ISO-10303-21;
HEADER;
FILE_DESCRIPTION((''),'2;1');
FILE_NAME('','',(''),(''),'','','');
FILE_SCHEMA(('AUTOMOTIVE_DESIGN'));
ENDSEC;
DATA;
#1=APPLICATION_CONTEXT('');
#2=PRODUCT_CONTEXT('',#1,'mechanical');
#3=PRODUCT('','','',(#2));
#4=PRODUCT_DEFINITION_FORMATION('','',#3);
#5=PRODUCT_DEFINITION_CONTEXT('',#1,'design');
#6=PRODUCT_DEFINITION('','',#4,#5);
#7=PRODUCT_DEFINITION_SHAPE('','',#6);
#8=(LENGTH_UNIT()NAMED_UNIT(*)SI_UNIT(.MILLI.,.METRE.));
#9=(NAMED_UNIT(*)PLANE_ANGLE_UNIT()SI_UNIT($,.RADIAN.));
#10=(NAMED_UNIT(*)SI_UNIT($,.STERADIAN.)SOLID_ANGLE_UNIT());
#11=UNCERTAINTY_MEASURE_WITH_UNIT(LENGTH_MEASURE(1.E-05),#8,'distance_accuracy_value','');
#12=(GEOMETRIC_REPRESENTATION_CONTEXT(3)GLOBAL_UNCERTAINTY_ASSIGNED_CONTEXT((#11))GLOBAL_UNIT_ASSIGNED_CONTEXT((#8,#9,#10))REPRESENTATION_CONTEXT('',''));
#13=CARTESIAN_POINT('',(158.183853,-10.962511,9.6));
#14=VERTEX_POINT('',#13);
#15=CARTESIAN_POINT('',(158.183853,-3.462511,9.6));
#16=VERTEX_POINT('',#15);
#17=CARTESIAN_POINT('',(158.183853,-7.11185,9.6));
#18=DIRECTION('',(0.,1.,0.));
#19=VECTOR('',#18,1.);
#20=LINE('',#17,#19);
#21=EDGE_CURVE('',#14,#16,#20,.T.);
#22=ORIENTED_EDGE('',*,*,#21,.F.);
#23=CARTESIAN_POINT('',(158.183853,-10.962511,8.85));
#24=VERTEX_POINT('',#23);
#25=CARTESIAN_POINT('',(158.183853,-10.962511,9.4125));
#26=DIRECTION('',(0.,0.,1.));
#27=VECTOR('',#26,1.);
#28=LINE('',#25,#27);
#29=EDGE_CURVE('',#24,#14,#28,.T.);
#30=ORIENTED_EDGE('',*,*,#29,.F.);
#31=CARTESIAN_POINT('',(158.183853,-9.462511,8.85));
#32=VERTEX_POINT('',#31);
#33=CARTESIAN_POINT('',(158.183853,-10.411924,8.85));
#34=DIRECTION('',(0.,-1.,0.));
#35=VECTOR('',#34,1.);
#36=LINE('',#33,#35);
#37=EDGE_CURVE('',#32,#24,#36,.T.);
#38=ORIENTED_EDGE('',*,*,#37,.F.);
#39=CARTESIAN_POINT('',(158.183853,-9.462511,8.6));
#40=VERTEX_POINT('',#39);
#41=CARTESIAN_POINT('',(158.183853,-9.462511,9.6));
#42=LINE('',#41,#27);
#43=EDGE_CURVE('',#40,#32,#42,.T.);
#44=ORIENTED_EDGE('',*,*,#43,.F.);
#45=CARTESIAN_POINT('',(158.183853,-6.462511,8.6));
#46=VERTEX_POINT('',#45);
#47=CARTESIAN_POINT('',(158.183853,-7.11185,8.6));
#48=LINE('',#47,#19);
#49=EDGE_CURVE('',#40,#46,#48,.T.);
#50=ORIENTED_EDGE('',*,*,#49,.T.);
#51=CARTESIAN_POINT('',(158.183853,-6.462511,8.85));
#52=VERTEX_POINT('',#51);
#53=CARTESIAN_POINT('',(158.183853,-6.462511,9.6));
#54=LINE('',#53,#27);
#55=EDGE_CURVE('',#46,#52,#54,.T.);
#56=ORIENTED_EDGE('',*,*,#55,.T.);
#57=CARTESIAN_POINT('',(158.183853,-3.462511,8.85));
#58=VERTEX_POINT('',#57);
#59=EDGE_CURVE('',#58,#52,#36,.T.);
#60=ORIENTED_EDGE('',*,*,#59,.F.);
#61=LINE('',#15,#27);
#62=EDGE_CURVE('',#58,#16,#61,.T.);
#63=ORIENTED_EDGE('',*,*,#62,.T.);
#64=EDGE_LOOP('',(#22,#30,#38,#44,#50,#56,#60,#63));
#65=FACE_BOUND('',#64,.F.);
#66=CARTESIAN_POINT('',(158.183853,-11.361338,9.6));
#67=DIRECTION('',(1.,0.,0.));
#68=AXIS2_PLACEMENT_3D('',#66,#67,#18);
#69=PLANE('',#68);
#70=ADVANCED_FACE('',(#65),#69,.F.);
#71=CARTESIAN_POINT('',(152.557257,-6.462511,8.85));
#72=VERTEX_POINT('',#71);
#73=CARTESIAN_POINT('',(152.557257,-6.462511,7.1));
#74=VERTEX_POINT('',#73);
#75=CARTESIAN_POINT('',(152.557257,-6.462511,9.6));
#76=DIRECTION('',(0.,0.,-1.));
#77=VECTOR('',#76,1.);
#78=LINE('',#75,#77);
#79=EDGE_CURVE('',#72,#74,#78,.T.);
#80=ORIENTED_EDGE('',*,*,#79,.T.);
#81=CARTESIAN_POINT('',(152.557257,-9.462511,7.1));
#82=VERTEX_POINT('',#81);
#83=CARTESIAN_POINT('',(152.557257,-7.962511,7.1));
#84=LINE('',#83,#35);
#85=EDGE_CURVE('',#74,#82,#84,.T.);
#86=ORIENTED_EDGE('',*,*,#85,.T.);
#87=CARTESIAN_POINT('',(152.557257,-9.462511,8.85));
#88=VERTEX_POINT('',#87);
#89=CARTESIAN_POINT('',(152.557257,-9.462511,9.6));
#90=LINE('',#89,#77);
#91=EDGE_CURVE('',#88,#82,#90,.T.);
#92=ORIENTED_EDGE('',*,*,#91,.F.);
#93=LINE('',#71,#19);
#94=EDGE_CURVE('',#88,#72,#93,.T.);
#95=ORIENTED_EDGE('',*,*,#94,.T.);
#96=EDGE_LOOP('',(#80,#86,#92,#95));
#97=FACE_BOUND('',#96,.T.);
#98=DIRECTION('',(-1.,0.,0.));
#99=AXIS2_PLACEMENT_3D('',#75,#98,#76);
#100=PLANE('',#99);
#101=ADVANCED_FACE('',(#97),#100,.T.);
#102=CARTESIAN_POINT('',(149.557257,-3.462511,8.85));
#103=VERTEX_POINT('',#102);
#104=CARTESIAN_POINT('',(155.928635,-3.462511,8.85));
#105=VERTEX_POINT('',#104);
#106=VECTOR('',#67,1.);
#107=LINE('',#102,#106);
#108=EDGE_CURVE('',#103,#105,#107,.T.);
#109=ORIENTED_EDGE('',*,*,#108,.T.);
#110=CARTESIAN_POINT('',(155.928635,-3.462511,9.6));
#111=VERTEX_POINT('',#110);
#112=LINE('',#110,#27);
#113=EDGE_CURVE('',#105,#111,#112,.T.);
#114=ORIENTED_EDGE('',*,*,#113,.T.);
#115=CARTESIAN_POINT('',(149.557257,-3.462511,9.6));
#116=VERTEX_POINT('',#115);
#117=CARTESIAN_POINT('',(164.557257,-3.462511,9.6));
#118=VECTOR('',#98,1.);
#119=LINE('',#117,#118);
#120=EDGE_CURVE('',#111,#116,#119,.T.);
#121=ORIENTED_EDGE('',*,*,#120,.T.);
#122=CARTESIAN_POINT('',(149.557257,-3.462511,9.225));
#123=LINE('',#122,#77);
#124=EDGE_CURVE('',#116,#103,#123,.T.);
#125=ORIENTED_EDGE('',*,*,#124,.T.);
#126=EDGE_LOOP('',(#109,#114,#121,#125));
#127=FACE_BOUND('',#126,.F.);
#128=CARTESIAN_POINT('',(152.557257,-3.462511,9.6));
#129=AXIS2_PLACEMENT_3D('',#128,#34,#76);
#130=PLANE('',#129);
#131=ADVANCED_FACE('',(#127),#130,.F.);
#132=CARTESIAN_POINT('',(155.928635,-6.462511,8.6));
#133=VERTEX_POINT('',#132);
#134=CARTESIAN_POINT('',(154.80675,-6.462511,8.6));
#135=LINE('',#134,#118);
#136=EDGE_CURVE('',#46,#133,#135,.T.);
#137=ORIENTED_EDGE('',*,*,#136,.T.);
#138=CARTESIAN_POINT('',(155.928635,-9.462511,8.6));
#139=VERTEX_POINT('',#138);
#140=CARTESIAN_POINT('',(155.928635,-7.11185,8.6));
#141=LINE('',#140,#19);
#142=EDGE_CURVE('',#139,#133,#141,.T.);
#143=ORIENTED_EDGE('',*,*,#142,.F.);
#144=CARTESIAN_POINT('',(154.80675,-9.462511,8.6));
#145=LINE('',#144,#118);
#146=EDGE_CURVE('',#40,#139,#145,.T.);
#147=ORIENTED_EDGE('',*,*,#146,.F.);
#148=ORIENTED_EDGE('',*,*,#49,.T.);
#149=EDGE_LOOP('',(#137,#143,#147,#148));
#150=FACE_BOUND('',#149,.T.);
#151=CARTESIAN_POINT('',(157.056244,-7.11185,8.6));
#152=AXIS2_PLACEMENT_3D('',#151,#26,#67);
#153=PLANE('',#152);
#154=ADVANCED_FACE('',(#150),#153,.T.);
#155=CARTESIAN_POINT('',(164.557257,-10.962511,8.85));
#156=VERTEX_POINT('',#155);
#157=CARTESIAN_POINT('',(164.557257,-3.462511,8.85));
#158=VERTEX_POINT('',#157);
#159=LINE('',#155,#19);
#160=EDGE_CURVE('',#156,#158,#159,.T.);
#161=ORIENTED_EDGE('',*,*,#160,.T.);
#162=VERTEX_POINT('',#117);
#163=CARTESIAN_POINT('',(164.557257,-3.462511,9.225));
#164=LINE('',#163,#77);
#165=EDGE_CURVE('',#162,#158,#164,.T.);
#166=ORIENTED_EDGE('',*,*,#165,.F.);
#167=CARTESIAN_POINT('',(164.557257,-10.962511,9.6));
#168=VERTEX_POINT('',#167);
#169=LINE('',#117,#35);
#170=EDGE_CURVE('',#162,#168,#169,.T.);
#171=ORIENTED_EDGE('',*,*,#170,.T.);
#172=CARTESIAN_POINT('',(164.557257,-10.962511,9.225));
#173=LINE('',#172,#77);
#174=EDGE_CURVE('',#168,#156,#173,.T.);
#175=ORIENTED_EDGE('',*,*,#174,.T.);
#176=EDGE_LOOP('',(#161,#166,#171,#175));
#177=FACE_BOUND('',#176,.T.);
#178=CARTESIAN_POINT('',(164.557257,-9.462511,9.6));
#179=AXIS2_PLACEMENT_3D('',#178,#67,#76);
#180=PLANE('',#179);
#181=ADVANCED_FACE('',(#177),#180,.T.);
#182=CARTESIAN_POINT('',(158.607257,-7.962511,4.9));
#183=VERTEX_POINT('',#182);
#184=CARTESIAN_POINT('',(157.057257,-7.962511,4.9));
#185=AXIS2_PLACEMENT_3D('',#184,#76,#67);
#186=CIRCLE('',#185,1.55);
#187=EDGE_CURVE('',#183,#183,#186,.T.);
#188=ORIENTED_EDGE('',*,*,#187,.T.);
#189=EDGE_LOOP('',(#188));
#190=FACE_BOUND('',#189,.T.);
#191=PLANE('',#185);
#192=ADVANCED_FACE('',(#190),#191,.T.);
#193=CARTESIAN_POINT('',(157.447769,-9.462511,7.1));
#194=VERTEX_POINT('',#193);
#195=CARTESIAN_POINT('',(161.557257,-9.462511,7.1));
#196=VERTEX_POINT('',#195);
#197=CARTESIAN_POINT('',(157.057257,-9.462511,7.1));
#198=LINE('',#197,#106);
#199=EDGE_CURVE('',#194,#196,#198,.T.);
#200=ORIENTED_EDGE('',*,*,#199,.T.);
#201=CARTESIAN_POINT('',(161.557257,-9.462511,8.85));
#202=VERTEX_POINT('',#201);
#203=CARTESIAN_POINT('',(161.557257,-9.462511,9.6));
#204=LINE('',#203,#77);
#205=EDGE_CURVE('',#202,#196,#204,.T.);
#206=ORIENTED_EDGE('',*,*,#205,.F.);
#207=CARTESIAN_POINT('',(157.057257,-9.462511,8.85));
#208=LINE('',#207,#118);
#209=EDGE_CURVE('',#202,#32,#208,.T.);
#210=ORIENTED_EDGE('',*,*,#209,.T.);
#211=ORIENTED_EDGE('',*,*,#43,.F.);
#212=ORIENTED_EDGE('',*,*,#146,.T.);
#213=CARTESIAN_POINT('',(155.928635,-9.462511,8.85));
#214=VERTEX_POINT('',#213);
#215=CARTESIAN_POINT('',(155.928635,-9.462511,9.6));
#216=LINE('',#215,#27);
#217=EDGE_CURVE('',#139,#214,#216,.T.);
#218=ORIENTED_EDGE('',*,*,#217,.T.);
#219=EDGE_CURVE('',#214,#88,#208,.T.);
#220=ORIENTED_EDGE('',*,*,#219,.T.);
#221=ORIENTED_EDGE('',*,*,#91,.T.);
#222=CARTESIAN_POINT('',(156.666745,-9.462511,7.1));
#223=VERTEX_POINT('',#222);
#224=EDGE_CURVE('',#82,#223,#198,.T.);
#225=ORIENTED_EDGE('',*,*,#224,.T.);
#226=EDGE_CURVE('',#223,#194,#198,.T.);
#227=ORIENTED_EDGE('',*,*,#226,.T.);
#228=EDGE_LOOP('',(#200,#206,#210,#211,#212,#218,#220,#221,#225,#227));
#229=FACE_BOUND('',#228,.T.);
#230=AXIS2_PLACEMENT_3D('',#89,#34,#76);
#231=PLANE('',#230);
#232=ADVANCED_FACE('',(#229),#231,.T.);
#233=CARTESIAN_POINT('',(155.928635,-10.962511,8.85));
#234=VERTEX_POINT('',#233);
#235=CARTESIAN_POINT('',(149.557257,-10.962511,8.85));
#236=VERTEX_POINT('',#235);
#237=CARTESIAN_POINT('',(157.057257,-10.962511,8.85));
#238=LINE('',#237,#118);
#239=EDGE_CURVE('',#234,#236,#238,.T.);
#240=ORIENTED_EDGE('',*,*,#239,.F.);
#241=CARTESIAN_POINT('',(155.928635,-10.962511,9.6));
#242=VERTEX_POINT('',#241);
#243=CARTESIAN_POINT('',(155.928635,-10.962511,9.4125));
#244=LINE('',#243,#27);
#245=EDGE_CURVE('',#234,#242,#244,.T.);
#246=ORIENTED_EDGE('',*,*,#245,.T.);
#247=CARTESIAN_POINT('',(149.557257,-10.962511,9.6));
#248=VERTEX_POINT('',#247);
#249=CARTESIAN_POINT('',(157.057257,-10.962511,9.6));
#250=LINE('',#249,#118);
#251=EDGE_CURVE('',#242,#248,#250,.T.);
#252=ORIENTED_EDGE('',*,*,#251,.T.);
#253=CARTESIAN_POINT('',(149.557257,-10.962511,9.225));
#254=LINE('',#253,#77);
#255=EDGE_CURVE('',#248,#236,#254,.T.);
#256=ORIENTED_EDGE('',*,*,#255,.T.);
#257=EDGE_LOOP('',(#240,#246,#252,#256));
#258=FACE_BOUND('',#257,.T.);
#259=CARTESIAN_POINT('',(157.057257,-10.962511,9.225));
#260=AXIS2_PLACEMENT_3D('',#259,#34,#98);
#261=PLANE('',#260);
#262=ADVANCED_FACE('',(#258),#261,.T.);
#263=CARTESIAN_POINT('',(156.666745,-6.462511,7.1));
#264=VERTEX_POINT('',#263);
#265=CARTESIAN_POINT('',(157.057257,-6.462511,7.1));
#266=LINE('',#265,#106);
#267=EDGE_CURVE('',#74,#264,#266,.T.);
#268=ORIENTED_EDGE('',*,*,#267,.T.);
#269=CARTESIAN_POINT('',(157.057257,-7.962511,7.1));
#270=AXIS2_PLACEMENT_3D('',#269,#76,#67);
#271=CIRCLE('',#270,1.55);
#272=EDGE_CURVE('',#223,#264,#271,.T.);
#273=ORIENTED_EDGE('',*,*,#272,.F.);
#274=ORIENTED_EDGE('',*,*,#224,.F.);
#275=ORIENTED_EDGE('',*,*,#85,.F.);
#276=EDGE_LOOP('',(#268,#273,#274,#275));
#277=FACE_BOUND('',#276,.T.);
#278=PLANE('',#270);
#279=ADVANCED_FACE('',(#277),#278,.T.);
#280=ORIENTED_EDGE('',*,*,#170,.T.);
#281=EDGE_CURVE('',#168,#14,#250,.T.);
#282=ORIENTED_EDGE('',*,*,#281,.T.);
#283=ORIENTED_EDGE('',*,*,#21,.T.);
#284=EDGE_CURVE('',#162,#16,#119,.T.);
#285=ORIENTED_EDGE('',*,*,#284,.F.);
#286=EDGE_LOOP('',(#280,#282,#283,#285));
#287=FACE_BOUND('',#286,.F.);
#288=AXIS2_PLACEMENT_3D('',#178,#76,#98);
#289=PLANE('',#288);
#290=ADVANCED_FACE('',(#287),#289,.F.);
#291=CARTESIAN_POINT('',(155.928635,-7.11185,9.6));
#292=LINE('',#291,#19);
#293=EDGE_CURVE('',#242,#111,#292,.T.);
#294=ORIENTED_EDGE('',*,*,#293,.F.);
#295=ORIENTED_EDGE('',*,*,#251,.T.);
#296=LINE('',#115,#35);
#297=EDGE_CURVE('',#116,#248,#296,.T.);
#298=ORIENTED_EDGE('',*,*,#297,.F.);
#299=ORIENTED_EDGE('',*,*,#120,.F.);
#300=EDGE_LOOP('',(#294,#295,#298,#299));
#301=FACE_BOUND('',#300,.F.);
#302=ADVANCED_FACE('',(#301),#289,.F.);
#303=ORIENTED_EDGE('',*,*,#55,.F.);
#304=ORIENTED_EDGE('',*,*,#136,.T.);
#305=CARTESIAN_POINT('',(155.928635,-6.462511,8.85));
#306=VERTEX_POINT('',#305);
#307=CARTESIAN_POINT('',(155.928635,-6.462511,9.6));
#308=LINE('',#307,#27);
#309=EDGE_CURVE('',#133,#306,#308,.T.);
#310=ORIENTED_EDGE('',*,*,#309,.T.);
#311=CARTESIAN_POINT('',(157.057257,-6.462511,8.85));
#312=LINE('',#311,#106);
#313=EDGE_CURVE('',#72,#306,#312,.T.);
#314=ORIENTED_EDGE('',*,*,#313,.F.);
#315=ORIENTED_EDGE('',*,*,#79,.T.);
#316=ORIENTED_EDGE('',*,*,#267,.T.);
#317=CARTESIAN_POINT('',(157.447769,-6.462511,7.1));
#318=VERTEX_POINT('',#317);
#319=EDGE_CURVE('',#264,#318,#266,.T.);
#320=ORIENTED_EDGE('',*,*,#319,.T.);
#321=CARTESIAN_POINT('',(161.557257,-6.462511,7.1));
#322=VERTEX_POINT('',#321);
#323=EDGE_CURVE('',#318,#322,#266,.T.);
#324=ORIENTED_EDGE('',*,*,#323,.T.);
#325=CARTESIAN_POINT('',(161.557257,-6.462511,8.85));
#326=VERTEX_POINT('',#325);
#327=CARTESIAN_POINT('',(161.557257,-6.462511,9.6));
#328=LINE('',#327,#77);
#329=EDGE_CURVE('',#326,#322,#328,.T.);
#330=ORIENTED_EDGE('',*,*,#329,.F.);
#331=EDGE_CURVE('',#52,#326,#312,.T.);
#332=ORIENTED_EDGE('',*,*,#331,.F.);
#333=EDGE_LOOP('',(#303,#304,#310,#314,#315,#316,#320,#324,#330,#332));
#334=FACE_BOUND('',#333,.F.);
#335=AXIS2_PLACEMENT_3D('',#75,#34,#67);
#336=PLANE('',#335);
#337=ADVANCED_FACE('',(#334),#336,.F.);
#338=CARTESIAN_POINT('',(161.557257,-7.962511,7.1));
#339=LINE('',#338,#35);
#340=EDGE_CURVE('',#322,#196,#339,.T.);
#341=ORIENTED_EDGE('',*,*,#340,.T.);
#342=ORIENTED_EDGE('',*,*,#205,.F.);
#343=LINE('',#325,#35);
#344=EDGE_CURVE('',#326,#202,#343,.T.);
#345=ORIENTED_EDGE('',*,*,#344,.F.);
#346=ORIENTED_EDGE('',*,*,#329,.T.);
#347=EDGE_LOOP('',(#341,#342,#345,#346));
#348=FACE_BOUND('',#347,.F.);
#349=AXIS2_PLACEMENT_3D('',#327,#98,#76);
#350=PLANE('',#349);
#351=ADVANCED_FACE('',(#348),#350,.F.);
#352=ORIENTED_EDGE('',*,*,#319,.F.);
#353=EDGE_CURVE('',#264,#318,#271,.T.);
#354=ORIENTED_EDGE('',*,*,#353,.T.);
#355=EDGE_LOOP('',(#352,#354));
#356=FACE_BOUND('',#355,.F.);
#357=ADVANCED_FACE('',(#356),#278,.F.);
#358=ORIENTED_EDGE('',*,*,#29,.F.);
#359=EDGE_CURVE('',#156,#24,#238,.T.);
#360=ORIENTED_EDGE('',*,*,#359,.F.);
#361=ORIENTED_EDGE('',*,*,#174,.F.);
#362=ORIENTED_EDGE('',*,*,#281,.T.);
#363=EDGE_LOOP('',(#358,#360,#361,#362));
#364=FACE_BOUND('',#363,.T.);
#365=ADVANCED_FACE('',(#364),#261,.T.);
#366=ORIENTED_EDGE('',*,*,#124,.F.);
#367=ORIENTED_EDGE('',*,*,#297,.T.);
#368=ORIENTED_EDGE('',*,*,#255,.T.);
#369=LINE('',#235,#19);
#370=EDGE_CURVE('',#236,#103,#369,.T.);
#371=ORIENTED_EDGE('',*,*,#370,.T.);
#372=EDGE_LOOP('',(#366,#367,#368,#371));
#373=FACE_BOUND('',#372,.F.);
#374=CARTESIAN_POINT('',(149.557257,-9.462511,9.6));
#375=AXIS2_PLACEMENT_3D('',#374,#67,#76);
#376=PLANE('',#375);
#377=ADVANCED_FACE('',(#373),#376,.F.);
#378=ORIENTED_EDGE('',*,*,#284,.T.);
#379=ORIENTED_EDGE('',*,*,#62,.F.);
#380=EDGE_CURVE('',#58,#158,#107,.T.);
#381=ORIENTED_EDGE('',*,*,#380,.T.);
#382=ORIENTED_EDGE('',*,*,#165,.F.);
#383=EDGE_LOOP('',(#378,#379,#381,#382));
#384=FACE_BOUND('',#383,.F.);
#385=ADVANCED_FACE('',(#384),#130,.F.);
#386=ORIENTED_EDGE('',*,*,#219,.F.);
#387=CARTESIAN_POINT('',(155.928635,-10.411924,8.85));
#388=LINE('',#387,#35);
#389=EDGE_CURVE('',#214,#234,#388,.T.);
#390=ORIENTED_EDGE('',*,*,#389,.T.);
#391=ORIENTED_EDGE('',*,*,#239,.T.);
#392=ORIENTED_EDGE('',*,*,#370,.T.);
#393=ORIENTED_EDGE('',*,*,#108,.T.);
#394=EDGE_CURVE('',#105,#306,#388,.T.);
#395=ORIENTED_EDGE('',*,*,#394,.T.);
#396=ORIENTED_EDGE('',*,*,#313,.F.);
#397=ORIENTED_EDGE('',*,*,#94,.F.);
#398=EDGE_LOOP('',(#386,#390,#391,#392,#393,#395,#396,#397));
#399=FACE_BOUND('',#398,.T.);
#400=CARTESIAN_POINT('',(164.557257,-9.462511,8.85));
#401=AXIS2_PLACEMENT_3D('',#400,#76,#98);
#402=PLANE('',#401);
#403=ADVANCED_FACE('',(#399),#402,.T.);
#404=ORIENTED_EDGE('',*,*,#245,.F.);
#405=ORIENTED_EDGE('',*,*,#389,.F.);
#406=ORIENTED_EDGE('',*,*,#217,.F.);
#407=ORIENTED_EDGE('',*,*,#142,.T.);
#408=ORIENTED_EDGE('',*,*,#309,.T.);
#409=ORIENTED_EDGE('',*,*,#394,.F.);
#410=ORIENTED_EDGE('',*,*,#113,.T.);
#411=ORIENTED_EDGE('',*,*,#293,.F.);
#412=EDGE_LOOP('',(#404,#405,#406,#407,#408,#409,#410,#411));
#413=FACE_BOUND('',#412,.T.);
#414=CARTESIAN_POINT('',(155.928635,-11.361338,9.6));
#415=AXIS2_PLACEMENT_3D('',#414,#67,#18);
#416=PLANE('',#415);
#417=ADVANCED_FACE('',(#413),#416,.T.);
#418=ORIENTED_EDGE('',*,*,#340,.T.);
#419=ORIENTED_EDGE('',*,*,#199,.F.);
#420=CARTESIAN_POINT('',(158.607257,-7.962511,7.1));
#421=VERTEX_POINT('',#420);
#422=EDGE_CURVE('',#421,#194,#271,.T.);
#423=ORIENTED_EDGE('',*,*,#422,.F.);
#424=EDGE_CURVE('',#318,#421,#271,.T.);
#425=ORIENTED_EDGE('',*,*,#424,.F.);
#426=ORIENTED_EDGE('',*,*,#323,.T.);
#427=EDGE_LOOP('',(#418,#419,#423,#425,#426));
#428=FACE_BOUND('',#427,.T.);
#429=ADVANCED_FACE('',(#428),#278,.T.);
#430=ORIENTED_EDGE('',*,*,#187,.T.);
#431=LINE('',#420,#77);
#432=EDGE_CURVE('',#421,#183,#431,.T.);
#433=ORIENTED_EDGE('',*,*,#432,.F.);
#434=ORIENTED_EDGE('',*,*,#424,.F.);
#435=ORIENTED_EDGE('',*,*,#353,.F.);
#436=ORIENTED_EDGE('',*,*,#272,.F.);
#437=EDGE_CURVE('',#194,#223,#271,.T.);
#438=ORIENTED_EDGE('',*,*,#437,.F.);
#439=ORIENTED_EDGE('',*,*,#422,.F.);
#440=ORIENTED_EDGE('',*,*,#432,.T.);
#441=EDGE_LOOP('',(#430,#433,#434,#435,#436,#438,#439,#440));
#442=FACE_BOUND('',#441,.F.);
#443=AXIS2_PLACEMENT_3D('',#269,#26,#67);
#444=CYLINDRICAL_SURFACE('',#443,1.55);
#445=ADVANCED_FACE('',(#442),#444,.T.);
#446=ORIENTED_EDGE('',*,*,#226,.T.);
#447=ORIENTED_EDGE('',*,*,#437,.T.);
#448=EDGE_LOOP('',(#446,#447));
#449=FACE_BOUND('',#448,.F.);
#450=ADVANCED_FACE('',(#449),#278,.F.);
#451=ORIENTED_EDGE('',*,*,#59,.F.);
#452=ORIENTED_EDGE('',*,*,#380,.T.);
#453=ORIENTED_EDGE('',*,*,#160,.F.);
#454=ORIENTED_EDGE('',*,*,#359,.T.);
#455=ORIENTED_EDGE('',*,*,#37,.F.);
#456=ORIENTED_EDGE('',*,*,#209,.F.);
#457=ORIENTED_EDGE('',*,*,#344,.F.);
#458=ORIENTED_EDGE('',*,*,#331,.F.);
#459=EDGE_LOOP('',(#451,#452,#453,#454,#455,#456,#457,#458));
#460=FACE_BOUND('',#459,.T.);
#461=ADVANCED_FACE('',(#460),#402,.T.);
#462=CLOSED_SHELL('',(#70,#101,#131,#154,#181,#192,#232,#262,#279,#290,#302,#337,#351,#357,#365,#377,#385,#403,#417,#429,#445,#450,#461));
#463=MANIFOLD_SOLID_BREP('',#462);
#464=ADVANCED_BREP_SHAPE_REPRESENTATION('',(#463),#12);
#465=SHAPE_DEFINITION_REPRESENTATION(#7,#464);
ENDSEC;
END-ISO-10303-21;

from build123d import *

# Parameters (mm, degrees)
SKETCH029_W             = 9
SKETCH029_H             = 3
PAD012_DEPTH            = 2.5
SKETCH030_R             = 1.55
PAD013_DEPTH            = 2.2
SKETCH035_W             = 9
SKETCH035_H             = 0.75
PAD014_DEPTH            = 3
SKETCH036_W             = 6
SKETCH036_H             = 0.75
PAD015_DEPTH            = 3
SKETCH037_W             = 6
SKETCH037_H             = 0.75
PAD016_DEPTH            = 3
SKETCH048_W             = 15
SKETCH048_H             = 0.75
PAD022_DEPTH            = 1.5
SKETCH049_W             = 2.255218
SKETCH049_H             = 8.498976
POCKET022_DEPTH         = 1
BODY003_PLACEMENT_ANGLE = 90


with BuildPart() as part:
    # Sketch029 → Pad012 (new body)
    with BuildSketch(Plane.XZ):
        with Locations((10.557257, 18.562511)):
            Rectangle(SKETCH029_W, SKETCH029_H)
    extrude(amount=PAD012_DEPTH)

    # Sketch030 (on Face6 of Pad012) → Pad013 (join)
    with BuildSketch(Plane.XZ.offset(2.5)):
        with Locations((10.557257, 18.562511)):
            Circle(SKETCH030_R)
    extrude(amount=PAD013_DEPTH)

    # Sketch035 → Pad014 (join)
    with BuildSketch(Plane(origin=(0, 0, 17.062511), x_dir=(1, 0, 0), z_dir=(0, 0, -1))):
        with Locations((10.557257, 0.375)):
            Rectangle(SKETCH035_W, SKETCH035_H)
    extrude(amount=PAD014_DEPTH)

    # Sketch036 (on Face15 of Pad014) → Pad015 (join)
    with BuildSketch(Plane(origin=(15.057257, 0, 0), x_dir=(0, 0, 1), z_dir=(1, 0, 0))):
        with Locations((17.062511, 0.375)):
            Rectangle(SKETCH036_W, SKETCH036_H)
    extrude(amount=PAD015_DEPTH)

    # Sketch037 (on Face3 of Pad015) → Pad016 (join)
    with BuildSketch(Plane(origin=(6.057257, 0, 0), x_dir=(0, 0, -1), z_dir=(-1, 0, 0))):
        with Locations((-17.062511, 0.375)):
            Rectangle(SKETCH037_W, SKETCH037_H)
    extrude(amount=PAD016_DEPTH)

    # Sketch048 (on Face5 of Pad016) → Pad022 (join)
    with BuildSketch(Plane(origin=(0, 0, 20.062511), x_dir=(-1, 0, 0), z_dir=(0, 0, 1))):
        with Locations((-10.557257, 0.375)):
            Rectangle(SKETCH048_W, SKETCH048_H)
    extrude(amount=PAD022_DEPTH)

    # Sketch049 (on Face23 of Pad022) → Pocket022 (cut)
    with BuildSketch(Plane(origin=(0, 0, 0), x_dir=(1, 0, 0), z_dir=(0, 1, 0))):
        with Locations((10.556244, -17.71185)):
            Rectangle(SKETCH049_W, SKETCH049_H)
    extrude(amount=-POCKET022_DEPTH, mode=Mode.SUBTRACT)


with BuildPart() as part_1:
    # Body003 placement: moved
    add(part.part.moved(Location((146.5, 10.6, 9.6))).rotate(Axis((146.5, 10.6, 9.6), (1, 0, 0)), BODY003_PLACEMENT_ANGLE))


solid = part_1.part
